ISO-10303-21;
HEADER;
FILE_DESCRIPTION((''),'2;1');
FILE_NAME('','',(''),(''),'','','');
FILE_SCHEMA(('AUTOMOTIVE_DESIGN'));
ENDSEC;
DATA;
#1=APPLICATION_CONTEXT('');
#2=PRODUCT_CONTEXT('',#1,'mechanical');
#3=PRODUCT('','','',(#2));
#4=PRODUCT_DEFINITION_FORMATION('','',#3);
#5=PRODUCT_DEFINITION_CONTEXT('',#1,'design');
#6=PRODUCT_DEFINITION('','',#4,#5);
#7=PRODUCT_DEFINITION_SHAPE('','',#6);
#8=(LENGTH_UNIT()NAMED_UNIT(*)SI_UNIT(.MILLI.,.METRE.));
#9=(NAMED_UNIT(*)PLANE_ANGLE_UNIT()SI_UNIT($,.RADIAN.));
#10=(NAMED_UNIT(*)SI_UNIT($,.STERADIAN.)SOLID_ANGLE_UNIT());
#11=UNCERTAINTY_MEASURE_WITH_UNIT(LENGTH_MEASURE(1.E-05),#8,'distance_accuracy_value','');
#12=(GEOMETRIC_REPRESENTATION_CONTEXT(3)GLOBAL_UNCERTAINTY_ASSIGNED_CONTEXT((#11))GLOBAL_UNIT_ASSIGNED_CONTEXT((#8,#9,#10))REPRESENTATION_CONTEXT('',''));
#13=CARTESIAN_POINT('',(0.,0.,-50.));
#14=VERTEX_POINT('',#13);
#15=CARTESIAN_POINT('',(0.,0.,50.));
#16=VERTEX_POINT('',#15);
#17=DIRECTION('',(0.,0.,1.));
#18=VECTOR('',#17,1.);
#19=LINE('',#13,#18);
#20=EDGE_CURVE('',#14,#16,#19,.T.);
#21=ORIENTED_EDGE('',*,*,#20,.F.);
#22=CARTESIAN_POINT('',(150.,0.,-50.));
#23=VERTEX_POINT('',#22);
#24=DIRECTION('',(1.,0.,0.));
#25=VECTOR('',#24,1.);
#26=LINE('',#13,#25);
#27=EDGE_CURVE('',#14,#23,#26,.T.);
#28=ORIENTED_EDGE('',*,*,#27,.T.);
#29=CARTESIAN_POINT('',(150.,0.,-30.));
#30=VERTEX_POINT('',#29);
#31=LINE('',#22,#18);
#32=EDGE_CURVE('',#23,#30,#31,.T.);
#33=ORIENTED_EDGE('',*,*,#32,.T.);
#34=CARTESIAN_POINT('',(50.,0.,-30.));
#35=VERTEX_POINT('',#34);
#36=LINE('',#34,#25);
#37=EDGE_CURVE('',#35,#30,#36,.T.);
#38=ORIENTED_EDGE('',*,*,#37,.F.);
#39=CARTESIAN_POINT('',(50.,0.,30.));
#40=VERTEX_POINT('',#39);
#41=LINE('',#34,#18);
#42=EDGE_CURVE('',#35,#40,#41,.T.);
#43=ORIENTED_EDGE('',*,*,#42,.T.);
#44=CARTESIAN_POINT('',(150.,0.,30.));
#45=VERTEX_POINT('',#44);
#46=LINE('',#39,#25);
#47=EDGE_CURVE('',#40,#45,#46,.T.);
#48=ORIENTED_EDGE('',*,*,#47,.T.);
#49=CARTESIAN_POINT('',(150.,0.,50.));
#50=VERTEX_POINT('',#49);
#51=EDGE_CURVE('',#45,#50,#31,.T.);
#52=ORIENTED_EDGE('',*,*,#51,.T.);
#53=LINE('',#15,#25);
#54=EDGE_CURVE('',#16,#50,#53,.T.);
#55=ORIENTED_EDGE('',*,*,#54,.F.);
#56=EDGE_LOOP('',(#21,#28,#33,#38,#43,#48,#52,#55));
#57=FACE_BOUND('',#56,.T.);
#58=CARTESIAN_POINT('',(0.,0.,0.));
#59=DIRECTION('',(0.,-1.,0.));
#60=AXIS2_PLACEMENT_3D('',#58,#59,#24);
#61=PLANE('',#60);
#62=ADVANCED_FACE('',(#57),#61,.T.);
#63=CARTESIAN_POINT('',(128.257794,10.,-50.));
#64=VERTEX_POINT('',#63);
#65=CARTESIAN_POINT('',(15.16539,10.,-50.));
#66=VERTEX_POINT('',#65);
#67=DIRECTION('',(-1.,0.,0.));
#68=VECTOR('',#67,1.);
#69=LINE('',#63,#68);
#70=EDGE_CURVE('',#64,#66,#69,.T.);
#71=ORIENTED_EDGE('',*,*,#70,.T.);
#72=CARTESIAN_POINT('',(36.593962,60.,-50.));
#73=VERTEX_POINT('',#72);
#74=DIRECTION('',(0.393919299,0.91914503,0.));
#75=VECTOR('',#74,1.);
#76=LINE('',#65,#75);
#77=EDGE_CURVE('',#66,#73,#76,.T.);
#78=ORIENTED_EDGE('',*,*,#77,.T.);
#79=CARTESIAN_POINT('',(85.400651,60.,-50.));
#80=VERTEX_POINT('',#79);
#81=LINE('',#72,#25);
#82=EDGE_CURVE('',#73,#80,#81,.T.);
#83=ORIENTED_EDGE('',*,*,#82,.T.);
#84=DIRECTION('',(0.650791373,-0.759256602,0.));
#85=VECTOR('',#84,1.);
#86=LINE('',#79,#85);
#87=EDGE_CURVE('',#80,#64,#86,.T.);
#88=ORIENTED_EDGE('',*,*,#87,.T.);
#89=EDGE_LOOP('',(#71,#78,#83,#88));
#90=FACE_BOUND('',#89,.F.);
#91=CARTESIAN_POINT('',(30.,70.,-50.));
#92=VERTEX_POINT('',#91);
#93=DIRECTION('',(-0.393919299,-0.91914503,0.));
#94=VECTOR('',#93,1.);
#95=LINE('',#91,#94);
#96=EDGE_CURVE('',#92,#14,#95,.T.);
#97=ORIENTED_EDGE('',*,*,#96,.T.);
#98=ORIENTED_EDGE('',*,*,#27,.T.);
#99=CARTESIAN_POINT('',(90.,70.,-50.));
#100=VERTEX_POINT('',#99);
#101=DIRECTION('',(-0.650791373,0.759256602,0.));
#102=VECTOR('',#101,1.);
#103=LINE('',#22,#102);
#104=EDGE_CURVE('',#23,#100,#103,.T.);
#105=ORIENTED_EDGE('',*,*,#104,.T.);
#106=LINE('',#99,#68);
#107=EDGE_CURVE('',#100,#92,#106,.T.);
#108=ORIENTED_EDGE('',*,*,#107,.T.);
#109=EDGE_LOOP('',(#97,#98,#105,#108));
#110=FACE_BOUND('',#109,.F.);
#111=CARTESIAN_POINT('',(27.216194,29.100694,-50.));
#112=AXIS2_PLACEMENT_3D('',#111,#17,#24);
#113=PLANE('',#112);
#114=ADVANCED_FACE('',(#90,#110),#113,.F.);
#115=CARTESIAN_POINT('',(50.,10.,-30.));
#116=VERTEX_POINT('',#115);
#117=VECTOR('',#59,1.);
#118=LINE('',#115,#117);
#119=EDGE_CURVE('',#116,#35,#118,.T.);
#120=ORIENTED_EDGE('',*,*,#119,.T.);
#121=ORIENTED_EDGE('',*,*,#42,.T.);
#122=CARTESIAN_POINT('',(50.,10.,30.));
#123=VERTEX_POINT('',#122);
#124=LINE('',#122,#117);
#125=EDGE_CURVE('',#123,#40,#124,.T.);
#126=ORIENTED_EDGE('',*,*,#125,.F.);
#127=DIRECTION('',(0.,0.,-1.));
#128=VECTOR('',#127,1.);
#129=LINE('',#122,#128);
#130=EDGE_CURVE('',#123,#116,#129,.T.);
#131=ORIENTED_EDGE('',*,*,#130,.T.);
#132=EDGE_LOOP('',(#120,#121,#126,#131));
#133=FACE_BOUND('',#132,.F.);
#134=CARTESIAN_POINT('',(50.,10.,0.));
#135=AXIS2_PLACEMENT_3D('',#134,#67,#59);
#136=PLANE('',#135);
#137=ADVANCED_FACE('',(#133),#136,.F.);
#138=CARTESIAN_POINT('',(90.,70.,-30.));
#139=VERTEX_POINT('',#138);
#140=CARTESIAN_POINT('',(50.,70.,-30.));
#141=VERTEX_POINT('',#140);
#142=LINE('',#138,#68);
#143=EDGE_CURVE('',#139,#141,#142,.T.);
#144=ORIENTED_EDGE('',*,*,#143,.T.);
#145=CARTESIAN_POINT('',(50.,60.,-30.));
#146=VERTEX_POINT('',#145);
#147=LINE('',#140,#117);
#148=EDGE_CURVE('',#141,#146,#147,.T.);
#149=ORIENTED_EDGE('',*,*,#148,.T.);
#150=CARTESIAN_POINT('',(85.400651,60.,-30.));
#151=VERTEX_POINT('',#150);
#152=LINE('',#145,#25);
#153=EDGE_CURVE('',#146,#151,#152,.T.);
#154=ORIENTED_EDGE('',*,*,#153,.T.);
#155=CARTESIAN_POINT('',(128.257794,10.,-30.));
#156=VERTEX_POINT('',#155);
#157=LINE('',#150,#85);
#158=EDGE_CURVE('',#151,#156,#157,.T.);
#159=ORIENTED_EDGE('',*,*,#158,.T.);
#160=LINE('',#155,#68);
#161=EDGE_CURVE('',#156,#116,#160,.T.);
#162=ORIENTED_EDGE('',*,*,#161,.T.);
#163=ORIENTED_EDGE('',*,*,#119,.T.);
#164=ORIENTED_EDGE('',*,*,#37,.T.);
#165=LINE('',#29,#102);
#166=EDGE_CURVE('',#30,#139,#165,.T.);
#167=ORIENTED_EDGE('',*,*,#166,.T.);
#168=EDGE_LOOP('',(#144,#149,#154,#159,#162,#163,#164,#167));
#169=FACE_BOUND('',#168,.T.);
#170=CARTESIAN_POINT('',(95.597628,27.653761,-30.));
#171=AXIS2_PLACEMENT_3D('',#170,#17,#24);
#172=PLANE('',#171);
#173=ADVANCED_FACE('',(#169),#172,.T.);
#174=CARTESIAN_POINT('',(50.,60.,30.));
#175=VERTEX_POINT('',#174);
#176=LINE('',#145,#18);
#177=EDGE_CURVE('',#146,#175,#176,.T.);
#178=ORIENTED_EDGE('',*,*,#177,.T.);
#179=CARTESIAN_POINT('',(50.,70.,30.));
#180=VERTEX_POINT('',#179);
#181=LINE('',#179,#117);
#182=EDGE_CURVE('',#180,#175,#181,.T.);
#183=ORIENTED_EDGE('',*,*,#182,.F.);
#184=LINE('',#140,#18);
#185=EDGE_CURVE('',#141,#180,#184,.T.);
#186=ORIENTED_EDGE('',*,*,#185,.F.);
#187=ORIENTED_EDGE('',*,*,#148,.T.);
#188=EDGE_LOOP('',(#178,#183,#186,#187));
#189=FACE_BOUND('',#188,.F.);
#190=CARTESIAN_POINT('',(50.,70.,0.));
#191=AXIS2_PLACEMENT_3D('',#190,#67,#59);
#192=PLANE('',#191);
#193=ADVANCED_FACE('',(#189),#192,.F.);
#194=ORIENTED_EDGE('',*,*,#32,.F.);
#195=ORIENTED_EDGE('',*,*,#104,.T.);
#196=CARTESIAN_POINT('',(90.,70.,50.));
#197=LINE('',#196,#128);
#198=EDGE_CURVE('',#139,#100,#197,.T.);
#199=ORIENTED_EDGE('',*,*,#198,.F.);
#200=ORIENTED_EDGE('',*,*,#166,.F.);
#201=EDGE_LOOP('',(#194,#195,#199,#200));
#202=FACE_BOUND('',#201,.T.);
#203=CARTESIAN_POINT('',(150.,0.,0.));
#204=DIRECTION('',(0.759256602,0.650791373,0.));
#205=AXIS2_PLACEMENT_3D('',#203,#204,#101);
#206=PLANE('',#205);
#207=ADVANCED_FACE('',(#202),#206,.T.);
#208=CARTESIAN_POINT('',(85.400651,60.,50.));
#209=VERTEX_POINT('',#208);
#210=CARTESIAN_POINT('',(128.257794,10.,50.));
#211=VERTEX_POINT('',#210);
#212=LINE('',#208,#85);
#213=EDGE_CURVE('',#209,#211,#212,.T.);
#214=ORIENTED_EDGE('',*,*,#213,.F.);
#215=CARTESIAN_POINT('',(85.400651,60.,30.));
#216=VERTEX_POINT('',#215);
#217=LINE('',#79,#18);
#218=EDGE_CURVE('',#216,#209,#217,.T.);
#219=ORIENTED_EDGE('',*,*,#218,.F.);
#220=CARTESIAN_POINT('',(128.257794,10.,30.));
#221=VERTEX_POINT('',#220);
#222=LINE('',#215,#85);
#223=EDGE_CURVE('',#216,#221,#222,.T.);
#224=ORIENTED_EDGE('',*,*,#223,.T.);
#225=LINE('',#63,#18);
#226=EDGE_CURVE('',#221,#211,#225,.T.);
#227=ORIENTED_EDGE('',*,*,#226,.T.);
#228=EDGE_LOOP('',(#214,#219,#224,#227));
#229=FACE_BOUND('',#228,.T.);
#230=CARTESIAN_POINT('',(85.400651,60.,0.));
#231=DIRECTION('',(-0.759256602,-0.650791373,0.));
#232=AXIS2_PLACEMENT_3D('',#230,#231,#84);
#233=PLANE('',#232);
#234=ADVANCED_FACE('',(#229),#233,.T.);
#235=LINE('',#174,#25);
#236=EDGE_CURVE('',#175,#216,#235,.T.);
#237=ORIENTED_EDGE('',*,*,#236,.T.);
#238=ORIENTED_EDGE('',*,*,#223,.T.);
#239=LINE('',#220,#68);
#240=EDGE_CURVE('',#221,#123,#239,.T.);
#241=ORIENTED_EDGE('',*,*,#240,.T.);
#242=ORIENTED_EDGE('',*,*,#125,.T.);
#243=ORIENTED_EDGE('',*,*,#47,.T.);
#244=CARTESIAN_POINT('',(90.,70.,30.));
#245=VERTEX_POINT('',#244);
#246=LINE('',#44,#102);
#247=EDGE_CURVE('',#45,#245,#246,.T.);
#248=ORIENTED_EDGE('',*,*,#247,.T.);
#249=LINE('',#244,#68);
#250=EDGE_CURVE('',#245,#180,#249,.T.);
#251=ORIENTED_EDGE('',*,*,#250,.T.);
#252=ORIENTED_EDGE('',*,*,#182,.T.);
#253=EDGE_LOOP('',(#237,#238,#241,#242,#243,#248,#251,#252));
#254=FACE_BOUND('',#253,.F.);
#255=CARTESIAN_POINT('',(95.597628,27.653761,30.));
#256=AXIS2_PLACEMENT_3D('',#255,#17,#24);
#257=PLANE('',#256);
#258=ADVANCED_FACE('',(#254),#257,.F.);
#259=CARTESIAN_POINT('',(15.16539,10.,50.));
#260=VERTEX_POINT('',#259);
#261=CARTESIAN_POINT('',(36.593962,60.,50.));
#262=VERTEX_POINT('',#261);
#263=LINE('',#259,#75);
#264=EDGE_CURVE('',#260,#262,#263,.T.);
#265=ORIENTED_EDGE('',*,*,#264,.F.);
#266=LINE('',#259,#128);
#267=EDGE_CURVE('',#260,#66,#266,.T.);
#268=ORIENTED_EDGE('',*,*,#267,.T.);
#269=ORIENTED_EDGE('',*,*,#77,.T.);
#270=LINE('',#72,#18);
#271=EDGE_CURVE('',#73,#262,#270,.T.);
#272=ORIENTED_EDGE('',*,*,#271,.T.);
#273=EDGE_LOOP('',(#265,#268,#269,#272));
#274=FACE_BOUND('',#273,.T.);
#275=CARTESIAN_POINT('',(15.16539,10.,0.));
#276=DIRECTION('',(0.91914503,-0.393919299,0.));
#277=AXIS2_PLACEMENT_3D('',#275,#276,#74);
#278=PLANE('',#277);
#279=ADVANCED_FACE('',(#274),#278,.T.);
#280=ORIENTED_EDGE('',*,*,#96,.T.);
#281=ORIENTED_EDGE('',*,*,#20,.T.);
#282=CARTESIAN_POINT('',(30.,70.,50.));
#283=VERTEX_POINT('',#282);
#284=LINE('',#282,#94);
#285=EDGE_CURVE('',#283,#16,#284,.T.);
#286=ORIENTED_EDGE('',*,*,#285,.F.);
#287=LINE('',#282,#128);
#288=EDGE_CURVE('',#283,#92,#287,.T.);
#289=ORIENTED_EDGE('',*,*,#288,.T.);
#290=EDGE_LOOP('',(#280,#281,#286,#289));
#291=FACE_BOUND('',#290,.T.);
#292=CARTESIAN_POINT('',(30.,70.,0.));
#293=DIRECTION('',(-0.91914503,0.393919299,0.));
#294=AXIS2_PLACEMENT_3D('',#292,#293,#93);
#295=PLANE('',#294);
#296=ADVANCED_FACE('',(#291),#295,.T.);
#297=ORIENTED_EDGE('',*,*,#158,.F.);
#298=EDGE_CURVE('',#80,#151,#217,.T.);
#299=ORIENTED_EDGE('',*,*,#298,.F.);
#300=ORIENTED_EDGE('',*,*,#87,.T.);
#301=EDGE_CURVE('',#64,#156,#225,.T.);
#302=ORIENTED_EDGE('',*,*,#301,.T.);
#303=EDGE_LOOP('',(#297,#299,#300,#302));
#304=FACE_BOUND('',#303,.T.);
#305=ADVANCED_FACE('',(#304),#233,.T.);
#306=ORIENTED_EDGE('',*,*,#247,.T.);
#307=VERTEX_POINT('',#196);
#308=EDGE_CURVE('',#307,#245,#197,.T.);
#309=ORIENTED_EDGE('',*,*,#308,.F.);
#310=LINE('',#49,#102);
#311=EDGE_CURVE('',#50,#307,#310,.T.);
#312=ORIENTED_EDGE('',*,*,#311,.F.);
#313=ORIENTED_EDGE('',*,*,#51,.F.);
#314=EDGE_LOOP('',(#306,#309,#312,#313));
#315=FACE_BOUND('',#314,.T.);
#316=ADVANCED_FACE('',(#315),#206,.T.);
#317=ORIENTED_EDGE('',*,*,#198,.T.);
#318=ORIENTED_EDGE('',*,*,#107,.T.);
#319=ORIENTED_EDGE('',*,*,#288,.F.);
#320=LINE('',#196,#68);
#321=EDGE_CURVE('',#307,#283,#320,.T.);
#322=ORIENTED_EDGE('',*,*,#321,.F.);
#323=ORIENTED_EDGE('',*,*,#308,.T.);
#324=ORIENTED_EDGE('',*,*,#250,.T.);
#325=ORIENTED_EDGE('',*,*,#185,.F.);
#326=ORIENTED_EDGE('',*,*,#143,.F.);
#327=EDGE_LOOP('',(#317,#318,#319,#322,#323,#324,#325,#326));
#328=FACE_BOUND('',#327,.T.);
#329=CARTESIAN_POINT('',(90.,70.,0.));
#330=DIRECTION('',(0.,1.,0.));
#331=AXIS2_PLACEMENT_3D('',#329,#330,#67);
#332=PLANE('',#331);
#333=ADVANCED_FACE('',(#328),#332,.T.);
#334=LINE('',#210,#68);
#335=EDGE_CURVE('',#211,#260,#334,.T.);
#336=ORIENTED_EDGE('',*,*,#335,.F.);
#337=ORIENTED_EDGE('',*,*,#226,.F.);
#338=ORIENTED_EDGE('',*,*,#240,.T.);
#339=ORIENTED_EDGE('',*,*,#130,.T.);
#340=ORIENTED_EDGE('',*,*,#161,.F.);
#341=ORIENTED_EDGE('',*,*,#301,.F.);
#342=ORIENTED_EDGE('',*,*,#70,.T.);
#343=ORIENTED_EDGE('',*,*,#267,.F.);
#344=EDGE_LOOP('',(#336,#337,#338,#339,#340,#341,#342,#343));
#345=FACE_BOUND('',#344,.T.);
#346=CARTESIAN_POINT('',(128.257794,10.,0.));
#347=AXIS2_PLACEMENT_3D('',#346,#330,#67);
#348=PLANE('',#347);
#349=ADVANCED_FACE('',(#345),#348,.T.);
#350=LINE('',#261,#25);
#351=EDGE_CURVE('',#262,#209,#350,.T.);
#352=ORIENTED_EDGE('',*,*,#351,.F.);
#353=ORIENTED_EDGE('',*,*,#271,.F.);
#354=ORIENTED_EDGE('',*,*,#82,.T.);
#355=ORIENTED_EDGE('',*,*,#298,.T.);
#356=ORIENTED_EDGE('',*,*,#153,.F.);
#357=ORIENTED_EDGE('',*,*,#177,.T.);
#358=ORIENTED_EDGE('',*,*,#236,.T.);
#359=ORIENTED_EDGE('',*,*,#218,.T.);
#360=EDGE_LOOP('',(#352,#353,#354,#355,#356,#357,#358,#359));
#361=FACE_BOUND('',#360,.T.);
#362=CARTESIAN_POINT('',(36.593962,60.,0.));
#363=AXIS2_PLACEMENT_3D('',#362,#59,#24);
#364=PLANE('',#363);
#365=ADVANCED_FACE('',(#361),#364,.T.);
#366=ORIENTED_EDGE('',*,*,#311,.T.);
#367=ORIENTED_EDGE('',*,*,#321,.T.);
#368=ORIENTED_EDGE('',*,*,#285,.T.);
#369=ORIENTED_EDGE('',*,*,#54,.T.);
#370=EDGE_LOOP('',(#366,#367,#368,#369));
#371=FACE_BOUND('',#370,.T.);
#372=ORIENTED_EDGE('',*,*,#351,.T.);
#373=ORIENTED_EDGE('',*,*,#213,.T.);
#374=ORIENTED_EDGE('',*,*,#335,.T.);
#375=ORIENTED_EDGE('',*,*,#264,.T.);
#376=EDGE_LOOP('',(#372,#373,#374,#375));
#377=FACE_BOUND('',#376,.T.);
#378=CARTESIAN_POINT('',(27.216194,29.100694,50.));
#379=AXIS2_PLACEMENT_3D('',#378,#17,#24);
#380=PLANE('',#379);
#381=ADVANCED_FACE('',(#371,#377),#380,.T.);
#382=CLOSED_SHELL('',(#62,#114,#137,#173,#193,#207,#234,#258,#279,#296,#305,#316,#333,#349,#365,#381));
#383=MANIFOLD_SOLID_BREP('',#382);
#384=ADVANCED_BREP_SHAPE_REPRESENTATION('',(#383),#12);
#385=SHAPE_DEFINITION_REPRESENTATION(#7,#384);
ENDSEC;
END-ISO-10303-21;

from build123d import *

# Parameters (mm, degrees)
BOSS_EXTRU_1_DEPTH      = 50
ENL_V_MAT_EXTRU_1_DEPTH = 30


with BuildPart() as part:
    # Esquisse3 → Boss.-Extru.1 (new, symmetric)
    with BuildSketch(Plane.XY):
        Polygon((30, 70), (0, 0), (150, 0), (90, 70), align=None)
        Polygon((36.59396158, 60), (85.400650775, 60), (128.257793632, 10), (15.165390151, 10), align=None, mode=Mode.SUBTRACT)
    extrude(amount=BOSS_EXTRU_1_DEPTH, both=True)

    # Esquisse3_3 → Enl_v. mat.-Extru.1 (cut, symmetric)
    with BuildSketch(Plane.XY):
        Polygon((50, 10), (50, 0), (150, 0), (90, 70), (50, 70), (50, 60), (85.400650775, 60), (128.257793632, 10), align=None)
    extrude(amount=ENL_V_MAT_EXTRU_1_DEPTH, both=True, mode=Mode.SUBTRACT)


solid = part.part
